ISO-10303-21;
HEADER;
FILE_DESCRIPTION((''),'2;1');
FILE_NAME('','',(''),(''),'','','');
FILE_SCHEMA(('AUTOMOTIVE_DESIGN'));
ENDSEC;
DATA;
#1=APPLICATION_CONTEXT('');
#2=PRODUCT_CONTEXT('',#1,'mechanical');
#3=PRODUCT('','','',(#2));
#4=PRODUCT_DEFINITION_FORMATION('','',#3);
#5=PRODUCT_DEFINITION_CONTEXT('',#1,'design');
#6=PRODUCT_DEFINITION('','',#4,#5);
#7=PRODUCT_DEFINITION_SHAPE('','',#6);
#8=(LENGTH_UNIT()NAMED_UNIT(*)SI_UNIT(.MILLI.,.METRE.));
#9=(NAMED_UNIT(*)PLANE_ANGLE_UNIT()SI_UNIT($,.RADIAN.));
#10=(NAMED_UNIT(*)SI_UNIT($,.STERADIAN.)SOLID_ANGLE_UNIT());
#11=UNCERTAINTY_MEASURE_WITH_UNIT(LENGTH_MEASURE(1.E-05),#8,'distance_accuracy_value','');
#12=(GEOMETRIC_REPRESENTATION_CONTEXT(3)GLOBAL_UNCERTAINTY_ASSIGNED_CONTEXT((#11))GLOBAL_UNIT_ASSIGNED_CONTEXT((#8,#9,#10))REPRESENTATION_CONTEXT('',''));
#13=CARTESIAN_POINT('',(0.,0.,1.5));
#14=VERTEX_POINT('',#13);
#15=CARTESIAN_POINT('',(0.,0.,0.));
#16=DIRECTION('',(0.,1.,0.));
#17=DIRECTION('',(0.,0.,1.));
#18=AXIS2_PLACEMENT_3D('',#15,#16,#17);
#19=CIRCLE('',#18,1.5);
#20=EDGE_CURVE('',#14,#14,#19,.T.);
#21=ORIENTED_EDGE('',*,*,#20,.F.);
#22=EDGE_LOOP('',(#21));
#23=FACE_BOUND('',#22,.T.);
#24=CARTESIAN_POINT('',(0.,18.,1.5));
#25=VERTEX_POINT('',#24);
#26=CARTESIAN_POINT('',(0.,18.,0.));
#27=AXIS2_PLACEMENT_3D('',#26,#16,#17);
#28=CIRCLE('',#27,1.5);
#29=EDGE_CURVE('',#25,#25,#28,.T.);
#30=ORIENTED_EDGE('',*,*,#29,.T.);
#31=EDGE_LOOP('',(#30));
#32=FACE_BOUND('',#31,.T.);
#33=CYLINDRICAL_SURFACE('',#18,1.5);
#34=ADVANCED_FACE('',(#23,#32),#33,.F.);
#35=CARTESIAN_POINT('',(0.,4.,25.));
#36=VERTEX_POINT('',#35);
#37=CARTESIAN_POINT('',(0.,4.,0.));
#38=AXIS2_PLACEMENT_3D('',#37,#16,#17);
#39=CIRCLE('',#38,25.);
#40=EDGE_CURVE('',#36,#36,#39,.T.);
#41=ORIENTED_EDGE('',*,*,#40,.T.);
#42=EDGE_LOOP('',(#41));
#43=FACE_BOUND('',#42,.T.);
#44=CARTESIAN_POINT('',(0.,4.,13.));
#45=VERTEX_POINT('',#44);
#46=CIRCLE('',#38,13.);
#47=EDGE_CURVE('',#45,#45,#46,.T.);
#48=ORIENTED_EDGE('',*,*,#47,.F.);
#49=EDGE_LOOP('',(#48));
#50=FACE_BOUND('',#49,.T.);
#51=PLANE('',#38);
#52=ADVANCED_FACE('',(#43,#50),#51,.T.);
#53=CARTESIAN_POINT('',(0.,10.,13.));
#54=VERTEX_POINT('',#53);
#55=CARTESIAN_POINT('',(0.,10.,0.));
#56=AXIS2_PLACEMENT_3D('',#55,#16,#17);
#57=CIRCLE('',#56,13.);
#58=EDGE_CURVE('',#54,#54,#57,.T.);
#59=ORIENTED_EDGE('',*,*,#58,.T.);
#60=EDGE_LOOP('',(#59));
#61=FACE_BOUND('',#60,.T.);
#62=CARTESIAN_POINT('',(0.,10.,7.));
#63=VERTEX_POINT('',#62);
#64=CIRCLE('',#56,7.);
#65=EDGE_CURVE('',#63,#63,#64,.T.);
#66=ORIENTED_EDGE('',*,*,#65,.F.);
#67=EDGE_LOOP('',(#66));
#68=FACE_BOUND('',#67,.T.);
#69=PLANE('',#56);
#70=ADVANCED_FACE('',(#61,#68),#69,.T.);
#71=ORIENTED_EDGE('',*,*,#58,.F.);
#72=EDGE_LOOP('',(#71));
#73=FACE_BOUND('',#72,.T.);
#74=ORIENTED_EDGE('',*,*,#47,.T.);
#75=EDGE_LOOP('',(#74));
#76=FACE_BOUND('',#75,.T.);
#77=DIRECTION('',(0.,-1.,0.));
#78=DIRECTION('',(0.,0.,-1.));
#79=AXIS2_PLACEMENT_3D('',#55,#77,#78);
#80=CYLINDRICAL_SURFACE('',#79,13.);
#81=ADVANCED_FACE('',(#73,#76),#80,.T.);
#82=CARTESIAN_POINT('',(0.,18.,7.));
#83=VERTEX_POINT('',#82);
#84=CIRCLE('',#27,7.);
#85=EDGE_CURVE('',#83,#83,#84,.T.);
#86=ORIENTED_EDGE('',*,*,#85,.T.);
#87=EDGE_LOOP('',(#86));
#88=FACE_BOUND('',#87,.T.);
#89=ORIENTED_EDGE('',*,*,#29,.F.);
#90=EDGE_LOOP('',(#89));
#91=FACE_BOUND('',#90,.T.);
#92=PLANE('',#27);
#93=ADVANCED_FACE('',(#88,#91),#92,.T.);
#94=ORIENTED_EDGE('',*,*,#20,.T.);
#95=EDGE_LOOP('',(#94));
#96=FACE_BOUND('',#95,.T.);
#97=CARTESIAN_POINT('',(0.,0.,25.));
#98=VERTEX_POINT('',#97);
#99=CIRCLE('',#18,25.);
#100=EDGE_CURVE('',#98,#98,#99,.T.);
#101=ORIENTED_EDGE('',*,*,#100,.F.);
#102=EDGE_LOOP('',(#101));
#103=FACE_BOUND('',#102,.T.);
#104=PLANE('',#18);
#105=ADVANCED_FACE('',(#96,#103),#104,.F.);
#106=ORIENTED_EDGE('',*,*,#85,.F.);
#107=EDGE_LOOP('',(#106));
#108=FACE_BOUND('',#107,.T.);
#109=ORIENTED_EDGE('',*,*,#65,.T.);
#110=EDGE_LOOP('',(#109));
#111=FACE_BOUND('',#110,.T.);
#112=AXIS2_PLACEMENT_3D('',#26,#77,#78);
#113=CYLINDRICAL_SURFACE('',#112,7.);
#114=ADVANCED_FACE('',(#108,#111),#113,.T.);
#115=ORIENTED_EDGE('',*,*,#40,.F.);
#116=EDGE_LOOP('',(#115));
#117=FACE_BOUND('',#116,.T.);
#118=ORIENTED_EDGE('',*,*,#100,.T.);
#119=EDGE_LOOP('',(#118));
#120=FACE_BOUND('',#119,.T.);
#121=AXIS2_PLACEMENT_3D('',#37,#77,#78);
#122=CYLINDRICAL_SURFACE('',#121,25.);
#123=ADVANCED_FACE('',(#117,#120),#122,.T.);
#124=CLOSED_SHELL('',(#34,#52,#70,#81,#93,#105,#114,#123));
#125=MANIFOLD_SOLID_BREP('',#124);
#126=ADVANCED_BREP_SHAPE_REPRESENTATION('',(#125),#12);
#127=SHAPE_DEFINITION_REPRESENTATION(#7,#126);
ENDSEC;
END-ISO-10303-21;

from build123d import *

# Parameters (mm, degrees)
SKETCH1_R           = 25
BOSS_EXTRUDE1_DEPTH = 4
SKETCH2_R           = 13
BOSS_EXTRUDE2_DEPTH = 6
SKETCH3_R           = 7
BOSS_EXTRUDE3_DEPTH = 8
SKETCH4_R           = 1.5
CUT_EXTRUDE1_DEPTH  = 40.67366885


with BuildPart() as part:
    # Sketch1 → Boss-Extrude1 (new body)
    with BuildSketch(Plane(origin=(0, 0, 0), x_dir=(1, 0, 0), z_dir=(0, 1, 0))):
        with Locations(Location((0, 0, 0), (0, 0, 270))):
            Circle(SKETCH1_R)
    extrude(amount=BOSS_EXTRUDE1_DEPTH)

    # Sketch2 → Boss-Extrude2 (add)
    with BuildSketch(Plane(origin=(0, 4, 0), x_dir=(1, 0, 0), z_dir=(0, 1, 0))):
        with Locations(Location((0, 0, 0), (0, 0, 270))):
            Circle(SKETCH2_R)
    extrude(amount=BOSS_EXTRUDE2_DEPTH)

    # Sketch3 → Boss-Extrude3 (add)
    with BuildSketch(Plane(origin=(0, 10, 0), x_dir=(1, 0, 0), z_dir=(0, 1, 0))):
        with Locations(Location((0, 0, 0), (0, 0, 270))):
            Circle(SKETCH3_R)
    extrude(amount=BOSS_EXTRUDE3_DEPTH)

    # Sketch4 → Cut-Extrude1 (cut, through all)
    with BuildSketch(Plane(origin=(0, 18, 0), x_dir=(1, 0, 0), z_dir=(0, 1, 0))):
        with Locations(Location((0, 0, 0), (0, 0, 270))):
            Circle(SKETCH4_R)
    extrude(amount=-CUT_EXTRUDE1_DEPTH, mode=Mode.SUBTRACT)


solid = part.part
